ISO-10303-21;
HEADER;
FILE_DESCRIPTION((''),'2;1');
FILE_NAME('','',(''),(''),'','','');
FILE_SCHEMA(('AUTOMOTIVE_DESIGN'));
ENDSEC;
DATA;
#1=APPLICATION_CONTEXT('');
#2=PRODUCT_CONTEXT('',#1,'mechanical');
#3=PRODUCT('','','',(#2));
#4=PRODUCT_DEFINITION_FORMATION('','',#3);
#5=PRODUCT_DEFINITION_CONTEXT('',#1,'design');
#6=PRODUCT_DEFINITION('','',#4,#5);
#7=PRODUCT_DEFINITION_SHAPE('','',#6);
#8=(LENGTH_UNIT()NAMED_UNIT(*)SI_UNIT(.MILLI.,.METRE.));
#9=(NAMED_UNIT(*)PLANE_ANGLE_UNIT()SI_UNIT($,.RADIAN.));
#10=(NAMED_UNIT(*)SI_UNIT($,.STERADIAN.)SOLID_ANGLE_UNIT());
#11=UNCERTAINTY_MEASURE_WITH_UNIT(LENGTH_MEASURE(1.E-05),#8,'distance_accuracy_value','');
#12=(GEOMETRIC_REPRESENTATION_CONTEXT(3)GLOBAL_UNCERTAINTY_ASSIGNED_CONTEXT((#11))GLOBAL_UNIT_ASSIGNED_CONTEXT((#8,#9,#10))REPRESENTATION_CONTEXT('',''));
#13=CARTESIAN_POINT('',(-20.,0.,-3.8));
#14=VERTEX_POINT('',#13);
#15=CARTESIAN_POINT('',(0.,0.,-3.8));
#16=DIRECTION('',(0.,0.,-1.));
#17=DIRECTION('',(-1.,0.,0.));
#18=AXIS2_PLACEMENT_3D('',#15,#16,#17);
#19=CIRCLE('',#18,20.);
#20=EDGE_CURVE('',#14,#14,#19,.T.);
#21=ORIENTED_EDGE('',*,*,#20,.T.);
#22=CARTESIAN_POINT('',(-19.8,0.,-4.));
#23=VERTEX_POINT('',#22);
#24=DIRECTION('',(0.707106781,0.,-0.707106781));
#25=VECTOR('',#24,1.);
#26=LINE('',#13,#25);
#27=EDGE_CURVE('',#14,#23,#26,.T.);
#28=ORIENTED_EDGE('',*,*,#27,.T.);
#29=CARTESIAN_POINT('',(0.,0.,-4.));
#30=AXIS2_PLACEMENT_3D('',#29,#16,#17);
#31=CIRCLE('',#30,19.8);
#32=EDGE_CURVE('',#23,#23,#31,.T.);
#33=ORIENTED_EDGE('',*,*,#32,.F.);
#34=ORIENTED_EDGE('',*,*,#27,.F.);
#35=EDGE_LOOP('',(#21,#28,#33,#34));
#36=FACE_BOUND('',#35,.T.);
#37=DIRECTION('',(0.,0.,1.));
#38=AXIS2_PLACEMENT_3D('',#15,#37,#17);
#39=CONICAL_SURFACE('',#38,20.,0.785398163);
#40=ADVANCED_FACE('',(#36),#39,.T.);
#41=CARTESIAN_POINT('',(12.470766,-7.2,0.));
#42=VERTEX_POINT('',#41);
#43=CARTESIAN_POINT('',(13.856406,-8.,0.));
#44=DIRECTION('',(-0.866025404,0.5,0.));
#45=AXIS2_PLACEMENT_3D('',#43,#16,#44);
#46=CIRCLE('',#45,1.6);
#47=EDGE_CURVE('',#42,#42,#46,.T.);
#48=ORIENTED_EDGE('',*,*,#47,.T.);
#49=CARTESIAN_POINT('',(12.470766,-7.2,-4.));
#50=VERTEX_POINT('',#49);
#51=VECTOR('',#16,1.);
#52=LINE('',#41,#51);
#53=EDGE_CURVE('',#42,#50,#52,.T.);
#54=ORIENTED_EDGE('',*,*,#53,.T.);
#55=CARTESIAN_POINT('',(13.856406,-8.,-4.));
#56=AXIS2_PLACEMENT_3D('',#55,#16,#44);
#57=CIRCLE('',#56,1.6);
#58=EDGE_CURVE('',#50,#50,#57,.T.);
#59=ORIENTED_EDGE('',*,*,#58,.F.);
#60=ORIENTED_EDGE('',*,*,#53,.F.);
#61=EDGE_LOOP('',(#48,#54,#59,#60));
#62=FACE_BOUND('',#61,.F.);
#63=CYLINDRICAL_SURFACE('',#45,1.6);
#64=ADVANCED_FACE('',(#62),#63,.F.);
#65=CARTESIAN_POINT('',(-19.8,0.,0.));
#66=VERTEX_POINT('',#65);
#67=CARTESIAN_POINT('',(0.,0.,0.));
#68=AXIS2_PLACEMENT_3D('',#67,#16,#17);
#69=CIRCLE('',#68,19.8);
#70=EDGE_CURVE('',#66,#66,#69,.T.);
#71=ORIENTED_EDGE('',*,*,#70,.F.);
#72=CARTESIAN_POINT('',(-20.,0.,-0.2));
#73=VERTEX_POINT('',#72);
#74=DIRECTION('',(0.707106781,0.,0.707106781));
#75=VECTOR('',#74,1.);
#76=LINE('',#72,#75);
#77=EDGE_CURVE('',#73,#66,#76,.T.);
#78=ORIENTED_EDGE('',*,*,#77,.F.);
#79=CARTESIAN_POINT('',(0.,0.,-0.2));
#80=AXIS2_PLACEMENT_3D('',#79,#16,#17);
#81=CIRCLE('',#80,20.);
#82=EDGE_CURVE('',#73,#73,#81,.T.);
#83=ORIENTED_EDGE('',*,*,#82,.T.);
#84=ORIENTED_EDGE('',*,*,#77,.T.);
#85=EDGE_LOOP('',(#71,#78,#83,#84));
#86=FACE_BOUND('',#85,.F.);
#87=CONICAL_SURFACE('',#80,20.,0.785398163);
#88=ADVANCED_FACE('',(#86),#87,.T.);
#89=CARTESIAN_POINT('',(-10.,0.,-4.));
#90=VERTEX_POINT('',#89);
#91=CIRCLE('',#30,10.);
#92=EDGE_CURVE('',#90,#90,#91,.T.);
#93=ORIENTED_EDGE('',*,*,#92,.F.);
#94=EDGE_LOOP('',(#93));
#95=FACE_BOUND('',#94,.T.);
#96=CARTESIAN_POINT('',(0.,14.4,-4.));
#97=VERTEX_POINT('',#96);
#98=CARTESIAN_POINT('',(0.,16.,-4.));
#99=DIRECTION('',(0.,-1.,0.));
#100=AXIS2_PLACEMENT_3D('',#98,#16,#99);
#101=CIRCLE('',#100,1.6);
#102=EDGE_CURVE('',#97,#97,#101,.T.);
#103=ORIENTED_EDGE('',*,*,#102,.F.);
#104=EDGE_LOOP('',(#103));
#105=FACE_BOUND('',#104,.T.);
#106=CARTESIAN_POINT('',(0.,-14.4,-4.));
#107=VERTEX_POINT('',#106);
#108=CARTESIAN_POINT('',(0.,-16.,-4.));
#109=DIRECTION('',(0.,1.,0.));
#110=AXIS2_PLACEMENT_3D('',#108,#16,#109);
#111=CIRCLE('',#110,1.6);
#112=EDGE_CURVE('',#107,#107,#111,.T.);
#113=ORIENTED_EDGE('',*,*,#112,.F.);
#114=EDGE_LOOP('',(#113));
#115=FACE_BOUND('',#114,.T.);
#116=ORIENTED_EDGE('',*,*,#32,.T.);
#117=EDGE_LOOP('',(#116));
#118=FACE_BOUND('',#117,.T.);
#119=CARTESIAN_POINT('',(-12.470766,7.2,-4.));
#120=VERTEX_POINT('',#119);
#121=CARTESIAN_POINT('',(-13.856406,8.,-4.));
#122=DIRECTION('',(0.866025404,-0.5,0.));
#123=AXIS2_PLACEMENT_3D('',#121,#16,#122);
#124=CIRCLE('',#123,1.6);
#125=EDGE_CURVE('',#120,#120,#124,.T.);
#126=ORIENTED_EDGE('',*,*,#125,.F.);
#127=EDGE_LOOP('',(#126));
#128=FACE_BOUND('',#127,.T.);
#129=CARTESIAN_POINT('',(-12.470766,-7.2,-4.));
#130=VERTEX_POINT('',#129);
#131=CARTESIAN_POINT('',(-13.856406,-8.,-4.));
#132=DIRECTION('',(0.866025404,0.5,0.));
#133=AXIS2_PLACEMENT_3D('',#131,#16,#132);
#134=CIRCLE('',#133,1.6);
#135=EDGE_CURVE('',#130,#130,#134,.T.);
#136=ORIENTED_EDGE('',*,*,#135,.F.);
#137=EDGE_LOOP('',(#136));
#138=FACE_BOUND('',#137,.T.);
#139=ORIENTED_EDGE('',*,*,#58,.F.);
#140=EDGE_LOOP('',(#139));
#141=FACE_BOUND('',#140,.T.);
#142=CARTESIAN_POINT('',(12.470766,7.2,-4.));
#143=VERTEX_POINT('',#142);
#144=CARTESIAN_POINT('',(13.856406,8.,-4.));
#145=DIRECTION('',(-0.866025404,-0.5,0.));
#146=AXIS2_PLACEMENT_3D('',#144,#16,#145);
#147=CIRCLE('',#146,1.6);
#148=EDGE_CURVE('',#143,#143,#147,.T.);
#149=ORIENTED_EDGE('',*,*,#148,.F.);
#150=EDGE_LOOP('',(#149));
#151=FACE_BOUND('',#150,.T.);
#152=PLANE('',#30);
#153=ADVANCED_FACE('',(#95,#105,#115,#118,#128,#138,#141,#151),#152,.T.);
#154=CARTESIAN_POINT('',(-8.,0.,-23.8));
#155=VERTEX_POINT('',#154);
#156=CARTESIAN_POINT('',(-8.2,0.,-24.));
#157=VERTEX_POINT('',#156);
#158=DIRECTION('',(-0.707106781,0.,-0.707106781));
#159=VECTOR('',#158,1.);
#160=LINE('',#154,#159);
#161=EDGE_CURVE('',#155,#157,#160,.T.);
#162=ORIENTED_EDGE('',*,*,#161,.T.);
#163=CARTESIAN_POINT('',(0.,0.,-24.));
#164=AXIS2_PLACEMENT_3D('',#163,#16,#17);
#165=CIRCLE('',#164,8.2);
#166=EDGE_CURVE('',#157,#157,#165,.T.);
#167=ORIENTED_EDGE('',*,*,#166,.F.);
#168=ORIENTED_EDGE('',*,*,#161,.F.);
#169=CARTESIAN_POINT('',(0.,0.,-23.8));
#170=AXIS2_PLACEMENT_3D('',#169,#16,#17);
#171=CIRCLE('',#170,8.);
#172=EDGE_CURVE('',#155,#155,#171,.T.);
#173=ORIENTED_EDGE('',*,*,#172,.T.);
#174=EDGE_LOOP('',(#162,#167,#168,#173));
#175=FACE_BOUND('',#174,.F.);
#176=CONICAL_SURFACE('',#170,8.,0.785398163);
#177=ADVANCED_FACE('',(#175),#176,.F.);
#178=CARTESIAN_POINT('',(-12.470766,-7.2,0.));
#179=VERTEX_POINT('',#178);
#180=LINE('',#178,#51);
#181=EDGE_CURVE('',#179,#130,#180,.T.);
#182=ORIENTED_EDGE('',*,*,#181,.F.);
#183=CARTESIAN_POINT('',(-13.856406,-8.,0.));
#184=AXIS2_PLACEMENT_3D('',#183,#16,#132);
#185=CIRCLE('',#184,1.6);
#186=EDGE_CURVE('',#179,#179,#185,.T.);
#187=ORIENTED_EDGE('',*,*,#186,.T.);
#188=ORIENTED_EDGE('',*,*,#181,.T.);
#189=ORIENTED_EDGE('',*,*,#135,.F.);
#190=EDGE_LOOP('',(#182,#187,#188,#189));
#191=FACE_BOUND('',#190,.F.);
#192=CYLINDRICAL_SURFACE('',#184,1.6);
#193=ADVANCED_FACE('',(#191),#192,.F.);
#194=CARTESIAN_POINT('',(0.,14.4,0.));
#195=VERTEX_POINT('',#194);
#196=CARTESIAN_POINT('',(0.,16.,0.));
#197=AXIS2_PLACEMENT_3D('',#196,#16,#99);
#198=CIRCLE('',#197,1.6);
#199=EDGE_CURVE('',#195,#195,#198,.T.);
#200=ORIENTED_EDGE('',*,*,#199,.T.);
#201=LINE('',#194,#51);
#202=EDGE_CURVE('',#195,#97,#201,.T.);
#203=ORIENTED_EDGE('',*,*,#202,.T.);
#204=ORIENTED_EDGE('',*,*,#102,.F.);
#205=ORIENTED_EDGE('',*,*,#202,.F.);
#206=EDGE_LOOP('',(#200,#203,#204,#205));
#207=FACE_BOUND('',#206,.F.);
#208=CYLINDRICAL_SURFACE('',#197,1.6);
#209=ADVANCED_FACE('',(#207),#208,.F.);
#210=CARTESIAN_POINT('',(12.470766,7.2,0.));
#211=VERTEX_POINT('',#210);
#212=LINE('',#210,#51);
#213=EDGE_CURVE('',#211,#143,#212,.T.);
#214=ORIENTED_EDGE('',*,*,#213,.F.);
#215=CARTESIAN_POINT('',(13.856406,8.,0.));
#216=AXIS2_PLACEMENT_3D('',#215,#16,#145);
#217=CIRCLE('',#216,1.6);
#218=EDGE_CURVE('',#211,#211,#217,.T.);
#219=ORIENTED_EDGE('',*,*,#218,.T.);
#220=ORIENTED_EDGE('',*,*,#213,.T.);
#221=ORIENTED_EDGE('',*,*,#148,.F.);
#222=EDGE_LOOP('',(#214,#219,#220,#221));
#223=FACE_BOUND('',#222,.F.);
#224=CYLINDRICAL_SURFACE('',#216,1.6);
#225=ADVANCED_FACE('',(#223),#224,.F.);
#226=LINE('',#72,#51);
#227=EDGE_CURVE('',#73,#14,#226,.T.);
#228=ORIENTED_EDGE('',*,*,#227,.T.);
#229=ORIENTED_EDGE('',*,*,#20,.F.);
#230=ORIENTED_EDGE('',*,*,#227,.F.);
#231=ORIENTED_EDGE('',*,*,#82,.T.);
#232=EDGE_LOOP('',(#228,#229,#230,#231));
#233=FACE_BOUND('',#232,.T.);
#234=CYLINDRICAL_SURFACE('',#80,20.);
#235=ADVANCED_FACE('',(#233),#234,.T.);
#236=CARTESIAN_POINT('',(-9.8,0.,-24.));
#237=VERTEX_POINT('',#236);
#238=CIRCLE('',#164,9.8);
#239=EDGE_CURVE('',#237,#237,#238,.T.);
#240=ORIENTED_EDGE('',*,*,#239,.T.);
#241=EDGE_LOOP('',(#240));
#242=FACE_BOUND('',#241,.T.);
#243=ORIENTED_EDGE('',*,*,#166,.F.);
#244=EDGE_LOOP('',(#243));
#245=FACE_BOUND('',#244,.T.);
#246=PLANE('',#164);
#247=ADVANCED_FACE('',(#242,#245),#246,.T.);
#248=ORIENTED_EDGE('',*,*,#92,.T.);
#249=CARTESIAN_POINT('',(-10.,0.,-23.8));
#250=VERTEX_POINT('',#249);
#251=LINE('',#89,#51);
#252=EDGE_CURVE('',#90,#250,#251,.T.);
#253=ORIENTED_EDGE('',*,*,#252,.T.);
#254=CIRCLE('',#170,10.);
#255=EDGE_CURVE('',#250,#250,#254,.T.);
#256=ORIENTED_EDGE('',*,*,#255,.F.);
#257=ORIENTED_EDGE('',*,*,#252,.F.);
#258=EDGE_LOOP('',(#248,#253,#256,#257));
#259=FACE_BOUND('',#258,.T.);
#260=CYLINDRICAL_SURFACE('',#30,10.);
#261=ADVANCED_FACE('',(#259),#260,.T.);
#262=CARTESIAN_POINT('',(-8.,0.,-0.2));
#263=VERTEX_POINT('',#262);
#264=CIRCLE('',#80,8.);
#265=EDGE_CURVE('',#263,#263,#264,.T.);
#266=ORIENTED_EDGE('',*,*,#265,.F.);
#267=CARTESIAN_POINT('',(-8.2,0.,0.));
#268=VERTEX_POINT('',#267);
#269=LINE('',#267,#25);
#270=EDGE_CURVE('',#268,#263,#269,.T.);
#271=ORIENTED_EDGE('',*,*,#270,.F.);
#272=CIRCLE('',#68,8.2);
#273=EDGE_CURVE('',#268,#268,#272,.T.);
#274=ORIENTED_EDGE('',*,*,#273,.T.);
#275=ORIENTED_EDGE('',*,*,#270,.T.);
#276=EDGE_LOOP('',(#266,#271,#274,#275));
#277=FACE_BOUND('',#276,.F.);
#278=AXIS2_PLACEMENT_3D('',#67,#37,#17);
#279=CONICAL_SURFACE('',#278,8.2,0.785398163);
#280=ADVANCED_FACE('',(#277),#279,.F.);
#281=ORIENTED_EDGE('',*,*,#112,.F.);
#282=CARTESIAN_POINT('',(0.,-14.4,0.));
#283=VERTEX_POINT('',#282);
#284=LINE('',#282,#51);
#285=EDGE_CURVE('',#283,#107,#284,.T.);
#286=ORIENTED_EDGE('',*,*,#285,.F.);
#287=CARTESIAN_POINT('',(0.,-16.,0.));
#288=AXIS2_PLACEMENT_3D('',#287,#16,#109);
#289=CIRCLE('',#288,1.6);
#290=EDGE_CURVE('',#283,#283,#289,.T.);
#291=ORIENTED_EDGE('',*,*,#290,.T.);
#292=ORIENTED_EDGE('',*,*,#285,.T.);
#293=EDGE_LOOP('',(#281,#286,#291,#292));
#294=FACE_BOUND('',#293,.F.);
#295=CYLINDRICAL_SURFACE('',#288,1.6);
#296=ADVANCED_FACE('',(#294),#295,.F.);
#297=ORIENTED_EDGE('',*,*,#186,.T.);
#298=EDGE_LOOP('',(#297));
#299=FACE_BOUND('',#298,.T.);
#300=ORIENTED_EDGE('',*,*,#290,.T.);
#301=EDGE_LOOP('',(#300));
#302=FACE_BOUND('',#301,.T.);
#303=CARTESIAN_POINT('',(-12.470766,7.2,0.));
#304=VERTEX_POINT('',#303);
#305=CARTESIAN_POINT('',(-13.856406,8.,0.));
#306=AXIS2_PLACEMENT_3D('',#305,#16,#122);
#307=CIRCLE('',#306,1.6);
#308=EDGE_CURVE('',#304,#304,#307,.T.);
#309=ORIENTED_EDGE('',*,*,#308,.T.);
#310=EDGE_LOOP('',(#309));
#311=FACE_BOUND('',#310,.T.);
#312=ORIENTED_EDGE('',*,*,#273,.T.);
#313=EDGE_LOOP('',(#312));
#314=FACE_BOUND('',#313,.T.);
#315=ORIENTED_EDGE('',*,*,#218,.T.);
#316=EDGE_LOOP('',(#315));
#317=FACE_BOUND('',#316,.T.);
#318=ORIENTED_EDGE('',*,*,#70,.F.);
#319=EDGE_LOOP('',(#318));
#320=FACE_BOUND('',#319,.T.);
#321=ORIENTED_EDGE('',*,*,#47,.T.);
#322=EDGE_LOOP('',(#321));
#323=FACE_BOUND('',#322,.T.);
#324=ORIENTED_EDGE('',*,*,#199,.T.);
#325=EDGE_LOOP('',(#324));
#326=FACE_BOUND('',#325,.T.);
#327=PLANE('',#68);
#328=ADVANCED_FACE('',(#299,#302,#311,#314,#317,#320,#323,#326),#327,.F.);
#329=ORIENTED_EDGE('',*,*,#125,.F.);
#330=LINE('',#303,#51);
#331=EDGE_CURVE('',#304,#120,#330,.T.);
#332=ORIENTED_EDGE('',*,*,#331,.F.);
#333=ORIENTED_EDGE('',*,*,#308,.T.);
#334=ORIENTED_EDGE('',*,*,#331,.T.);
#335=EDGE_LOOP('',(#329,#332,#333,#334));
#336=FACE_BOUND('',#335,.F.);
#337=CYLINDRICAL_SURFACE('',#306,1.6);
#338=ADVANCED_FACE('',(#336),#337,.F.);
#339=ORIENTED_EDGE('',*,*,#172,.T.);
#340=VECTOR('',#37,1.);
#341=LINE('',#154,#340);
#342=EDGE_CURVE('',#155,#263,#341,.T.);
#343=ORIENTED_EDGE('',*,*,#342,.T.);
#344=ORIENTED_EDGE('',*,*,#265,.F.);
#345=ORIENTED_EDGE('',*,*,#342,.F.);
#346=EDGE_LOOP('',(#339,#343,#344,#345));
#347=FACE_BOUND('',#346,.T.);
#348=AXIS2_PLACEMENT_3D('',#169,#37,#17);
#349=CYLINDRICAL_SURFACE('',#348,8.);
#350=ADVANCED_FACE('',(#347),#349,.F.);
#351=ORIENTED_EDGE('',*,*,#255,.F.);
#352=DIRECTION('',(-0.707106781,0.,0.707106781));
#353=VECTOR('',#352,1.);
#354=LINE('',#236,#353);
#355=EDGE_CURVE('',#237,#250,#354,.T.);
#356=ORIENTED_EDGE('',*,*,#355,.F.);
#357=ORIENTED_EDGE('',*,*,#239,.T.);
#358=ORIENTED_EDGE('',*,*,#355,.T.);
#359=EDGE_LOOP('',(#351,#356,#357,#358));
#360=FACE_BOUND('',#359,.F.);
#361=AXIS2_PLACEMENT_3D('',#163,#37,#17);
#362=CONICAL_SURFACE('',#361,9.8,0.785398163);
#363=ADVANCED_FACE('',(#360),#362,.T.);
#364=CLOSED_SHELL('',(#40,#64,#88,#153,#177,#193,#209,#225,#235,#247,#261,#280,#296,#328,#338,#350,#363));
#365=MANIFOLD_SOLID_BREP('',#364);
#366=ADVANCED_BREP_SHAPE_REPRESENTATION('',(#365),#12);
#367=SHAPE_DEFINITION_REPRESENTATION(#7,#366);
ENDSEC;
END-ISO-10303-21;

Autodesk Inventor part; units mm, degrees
ref_plane "YZ Plane" through (0, 0, 0) normal (1, 0, 0) x (0, 1, 0)
ref_plane "XZ Plane" through (0, 0, 0) normal (0, 1, 0) x (-1, 0, 0)
ref_plane "XY Plane" through (0, 0, 0) normal (0, 0, 1) x (1, 0, 0)
sketch "Sketch1" plane through (0, 0, 0) normal (0, 1, 0) x (-1, 0, 0)
  line L0 (8.2, 0) -> (19.8, 0)
  line L1 (20, -0.2) -> (20, -3.8)
  line L2 (19.8, -4) -> (10, -4)
  line L3 (10, -4) -> (10, -23.8)
  line L4 (8, -23.8) -> (8, -0.2)
  line L5 (0, 0) -> (0, -60.12)
  line L6 (9.8, -24) -> (8.2, -24)
  line L7 (20, -0.2) -> (19.8, 0)
  line L8 (20, -3.8) -> (19.8, -4)
  line L9 (8.2, 0) -> (8, -0.2)
  line L10 (8, -23.8) -> (8.2, -24)
  line L11 (9.8, -24) -> (10, -23.8)
  point P0 (8, 0)
  point P1 (20, 0)
  point P2 (20, -4)
  point P3 (10, -24)
  point P4 (8, -24)
  dimension "d0" = 40
  dimension "d1" = 4
  dimension "d2" = 20
  dimension "d6" = 10
  dimension "d7" = 2
  dimension "d8" = 20
  dimension "d9" = 16
  dimension "d10" = 0.2
  dimension "d11" = 0.2
  dimension "d12" = 0.2
  dimension "d13" = 0.2
  dimension "d14" = 0.2
  dimension "d15" = 0.2
  dimension "d16" = 0.2
  dimension "d17" = 0.2
  dimension "d18" = 0.2
  dimension "d19" = 0.2
revolve "Revolution1" add sketch "Sketch1" angle 360 about axis through (0, 0, 0) along (0, 0, -1)
sketch "Sketch2" plane through (0, 0, 0) normal (0, 0, 1) x (1, 0, 0)
  circle A0 centre (0, 0) radius 20 projected
  point P0 (0, 16)
  dimension "d21" = 16
hole "Hole1" at (0, 16, 0) direction (0, 0, -1) diameter 3.2 end through all
pattern_circular "Circular Pattern1" count 6 over 360 about axis through (0, 0, -2) along (0, 0, -1) of "Hole1"
equation "\"d11\" = d10"
equation "\"d12\" = d10"
equation "\"d13\" = d12"
equation "\"d14\" = d10"
equation "\"d15\" = d14"
equation "\"d16\" = d10"
equation "\"d17\" = d16"
equation "\"d18\" = d10"
equation "\"d19\" = d18"
properties part number "TungstenFlange" material "Aluminum 6061"
